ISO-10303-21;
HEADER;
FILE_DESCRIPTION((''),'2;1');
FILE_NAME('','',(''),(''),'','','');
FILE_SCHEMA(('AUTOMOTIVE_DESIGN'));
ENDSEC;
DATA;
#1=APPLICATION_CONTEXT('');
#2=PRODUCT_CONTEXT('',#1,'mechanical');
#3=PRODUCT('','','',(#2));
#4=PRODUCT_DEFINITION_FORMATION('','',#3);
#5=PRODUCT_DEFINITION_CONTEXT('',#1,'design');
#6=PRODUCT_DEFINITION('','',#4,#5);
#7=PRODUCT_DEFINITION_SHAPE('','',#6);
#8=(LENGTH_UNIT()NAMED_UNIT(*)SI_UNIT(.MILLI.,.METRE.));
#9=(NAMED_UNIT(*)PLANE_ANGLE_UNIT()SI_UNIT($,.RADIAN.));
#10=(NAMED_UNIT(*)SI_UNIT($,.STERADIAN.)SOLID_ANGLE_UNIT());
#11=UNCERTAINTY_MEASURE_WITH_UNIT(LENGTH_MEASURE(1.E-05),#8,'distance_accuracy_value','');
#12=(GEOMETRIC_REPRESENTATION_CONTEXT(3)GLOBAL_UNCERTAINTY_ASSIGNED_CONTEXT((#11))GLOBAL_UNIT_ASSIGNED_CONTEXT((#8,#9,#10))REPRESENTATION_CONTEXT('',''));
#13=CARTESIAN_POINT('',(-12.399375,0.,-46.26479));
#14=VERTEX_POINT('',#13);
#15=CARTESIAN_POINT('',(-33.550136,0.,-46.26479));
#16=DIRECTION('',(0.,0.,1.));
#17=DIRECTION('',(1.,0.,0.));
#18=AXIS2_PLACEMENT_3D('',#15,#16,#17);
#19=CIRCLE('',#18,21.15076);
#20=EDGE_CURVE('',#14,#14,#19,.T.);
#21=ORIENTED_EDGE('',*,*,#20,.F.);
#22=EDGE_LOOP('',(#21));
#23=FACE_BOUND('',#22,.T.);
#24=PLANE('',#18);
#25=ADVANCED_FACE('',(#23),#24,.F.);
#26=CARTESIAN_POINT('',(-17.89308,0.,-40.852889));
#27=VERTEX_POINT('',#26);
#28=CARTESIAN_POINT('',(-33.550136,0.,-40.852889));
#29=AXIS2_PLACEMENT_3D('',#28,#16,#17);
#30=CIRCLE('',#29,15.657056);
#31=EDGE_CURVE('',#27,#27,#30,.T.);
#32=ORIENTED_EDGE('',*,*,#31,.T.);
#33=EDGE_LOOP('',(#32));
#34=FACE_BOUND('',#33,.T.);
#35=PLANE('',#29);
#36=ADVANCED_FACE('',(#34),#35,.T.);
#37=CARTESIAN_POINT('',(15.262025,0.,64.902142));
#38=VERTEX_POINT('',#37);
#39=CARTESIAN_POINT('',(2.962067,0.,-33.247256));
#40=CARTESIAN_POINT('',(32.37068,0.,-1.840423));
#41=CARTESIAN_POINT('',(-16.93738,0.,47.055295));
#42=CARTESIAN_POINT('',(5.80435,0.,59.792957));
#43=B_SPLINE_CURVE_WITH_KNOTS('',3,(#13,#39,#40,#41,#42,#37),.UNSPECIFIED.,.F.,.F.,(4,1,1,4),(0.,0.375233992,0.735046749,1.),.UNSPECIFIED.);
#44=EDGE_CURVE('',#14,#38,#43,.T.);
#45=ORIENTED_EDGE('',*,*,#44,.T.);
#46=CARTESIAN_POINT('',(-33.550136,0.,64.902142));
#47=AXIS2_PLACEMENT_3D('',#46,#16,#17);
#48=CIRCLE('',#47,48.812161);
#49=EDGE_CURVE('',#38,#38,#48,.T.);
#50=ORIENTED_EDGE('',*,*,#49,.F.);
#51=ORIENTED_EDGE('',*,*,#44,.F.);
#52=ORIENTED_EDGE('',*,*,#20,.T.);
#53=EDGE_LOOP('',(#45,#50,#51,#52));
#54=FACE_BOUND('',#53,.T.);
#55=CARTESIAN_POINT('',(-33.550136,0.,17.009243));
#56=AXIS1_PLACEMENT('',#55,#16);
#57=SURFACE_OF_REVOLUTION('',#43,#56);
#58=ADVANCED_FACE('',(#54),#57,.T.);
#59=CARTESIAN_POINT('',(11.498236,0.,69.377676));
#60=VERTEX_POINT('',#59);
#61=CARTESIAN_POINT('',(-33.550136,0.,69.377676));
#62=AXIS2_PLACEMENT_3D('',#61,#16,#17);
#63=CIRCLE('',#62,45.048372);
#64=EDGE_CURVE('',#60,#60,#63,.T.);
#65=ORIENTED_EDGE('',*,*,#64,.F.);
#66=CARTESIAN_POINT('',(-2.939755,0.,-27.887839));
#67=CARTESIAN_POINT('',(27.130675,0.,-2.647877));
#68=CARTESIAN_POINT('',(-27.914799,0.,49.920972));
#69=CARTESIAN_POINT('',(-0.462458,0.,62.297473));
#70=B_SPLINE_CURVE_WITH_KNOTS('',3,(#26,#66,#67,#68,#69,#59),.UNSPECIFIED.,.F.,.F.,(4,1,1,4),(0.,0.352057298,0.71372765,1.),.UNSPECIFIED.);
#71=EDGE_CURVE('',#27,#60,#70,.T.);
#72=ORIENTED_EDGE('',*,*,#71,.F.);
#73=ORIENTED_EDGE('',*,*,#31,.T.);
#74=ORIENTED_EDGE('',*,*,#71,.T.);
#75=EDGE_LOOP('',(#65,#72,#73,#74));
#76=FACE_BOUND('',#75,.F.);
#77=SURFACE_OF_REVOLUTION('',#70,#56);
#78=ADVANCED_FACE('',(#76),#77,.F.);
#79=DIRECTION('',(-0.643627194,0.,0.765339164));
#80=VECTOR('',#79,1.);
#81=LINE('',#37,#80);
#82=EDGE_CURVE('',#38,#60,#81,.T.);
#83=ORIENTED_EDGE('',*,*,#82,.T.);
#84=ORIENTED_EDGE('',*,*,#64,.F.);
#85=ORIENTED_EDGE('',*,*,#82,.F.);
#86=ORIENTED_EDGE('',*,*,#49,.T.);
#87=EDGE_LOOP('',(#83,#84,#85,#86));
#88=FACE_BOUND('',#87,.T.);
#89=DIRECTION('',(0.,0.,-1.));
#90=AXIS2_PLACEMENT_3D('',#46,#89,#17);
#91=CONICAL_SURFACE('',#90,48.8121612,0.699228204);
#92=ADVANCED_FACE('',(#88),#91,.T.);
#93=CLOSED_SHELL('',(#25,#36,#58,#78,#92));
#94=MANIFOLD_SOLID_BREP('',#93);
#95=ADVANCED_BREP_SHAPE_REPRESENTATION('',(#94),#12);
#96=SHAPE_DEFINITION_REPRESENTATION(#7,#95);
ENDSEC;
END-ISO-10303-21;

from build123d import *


with BuildPart() as f1:
    # F0 (on Front) → F1 (revolve)
    with BuildSketch(Plane.XZ):
        with BuildLine():
            Line((-33.5501357913, -46.2647899985), (-12.3993754387, -46.2647899985))
            add(Edge.make_bspline(
                [(-12.3993754387, -46.2647899985), (2.9620667217, -33.2472559881), (32.3706801965, -1.8404232297), (-16.9373803682, 47.0552946269), (5.8043503853, 59.7929568398), (15.2620254084, 64.9021416903)],
                knots=[0, 0, 0, 0, 0.3752339923, 0.7350467489, 1, 1, 1, 1], degree=3))
            Line((15.2620254084, 64.9021416903), (11.4982360974, 69.3776756525))
            add(Edge.make_bspline(
                [(-17.8930796683, -40.8528894186), (-2.9397550375, -27.8878386903), (27.1306746315, -2.6478772964), (-27.9147985866, 49.9209718292), (-0.4624583357, 62.2974732237), (11.4982360974, 69.3776756525)],
                knots=[0, 0, 0, 0, 0.3520572981, 0.7137276498, 1, 1, 1, 1], degree=3))
            Line((-17.8930796683, -40.8528894186), (-33.5501357913, -40.8528894186))
            Line((-33.5501357913, -40.8528894186), (-33.5501357913, -46.2647899985))
        make_face()
    revolve(axis=Axis((-33.5501357913, 0, 17.0092433691), (0, 0, 1)))


solid = f1.part
